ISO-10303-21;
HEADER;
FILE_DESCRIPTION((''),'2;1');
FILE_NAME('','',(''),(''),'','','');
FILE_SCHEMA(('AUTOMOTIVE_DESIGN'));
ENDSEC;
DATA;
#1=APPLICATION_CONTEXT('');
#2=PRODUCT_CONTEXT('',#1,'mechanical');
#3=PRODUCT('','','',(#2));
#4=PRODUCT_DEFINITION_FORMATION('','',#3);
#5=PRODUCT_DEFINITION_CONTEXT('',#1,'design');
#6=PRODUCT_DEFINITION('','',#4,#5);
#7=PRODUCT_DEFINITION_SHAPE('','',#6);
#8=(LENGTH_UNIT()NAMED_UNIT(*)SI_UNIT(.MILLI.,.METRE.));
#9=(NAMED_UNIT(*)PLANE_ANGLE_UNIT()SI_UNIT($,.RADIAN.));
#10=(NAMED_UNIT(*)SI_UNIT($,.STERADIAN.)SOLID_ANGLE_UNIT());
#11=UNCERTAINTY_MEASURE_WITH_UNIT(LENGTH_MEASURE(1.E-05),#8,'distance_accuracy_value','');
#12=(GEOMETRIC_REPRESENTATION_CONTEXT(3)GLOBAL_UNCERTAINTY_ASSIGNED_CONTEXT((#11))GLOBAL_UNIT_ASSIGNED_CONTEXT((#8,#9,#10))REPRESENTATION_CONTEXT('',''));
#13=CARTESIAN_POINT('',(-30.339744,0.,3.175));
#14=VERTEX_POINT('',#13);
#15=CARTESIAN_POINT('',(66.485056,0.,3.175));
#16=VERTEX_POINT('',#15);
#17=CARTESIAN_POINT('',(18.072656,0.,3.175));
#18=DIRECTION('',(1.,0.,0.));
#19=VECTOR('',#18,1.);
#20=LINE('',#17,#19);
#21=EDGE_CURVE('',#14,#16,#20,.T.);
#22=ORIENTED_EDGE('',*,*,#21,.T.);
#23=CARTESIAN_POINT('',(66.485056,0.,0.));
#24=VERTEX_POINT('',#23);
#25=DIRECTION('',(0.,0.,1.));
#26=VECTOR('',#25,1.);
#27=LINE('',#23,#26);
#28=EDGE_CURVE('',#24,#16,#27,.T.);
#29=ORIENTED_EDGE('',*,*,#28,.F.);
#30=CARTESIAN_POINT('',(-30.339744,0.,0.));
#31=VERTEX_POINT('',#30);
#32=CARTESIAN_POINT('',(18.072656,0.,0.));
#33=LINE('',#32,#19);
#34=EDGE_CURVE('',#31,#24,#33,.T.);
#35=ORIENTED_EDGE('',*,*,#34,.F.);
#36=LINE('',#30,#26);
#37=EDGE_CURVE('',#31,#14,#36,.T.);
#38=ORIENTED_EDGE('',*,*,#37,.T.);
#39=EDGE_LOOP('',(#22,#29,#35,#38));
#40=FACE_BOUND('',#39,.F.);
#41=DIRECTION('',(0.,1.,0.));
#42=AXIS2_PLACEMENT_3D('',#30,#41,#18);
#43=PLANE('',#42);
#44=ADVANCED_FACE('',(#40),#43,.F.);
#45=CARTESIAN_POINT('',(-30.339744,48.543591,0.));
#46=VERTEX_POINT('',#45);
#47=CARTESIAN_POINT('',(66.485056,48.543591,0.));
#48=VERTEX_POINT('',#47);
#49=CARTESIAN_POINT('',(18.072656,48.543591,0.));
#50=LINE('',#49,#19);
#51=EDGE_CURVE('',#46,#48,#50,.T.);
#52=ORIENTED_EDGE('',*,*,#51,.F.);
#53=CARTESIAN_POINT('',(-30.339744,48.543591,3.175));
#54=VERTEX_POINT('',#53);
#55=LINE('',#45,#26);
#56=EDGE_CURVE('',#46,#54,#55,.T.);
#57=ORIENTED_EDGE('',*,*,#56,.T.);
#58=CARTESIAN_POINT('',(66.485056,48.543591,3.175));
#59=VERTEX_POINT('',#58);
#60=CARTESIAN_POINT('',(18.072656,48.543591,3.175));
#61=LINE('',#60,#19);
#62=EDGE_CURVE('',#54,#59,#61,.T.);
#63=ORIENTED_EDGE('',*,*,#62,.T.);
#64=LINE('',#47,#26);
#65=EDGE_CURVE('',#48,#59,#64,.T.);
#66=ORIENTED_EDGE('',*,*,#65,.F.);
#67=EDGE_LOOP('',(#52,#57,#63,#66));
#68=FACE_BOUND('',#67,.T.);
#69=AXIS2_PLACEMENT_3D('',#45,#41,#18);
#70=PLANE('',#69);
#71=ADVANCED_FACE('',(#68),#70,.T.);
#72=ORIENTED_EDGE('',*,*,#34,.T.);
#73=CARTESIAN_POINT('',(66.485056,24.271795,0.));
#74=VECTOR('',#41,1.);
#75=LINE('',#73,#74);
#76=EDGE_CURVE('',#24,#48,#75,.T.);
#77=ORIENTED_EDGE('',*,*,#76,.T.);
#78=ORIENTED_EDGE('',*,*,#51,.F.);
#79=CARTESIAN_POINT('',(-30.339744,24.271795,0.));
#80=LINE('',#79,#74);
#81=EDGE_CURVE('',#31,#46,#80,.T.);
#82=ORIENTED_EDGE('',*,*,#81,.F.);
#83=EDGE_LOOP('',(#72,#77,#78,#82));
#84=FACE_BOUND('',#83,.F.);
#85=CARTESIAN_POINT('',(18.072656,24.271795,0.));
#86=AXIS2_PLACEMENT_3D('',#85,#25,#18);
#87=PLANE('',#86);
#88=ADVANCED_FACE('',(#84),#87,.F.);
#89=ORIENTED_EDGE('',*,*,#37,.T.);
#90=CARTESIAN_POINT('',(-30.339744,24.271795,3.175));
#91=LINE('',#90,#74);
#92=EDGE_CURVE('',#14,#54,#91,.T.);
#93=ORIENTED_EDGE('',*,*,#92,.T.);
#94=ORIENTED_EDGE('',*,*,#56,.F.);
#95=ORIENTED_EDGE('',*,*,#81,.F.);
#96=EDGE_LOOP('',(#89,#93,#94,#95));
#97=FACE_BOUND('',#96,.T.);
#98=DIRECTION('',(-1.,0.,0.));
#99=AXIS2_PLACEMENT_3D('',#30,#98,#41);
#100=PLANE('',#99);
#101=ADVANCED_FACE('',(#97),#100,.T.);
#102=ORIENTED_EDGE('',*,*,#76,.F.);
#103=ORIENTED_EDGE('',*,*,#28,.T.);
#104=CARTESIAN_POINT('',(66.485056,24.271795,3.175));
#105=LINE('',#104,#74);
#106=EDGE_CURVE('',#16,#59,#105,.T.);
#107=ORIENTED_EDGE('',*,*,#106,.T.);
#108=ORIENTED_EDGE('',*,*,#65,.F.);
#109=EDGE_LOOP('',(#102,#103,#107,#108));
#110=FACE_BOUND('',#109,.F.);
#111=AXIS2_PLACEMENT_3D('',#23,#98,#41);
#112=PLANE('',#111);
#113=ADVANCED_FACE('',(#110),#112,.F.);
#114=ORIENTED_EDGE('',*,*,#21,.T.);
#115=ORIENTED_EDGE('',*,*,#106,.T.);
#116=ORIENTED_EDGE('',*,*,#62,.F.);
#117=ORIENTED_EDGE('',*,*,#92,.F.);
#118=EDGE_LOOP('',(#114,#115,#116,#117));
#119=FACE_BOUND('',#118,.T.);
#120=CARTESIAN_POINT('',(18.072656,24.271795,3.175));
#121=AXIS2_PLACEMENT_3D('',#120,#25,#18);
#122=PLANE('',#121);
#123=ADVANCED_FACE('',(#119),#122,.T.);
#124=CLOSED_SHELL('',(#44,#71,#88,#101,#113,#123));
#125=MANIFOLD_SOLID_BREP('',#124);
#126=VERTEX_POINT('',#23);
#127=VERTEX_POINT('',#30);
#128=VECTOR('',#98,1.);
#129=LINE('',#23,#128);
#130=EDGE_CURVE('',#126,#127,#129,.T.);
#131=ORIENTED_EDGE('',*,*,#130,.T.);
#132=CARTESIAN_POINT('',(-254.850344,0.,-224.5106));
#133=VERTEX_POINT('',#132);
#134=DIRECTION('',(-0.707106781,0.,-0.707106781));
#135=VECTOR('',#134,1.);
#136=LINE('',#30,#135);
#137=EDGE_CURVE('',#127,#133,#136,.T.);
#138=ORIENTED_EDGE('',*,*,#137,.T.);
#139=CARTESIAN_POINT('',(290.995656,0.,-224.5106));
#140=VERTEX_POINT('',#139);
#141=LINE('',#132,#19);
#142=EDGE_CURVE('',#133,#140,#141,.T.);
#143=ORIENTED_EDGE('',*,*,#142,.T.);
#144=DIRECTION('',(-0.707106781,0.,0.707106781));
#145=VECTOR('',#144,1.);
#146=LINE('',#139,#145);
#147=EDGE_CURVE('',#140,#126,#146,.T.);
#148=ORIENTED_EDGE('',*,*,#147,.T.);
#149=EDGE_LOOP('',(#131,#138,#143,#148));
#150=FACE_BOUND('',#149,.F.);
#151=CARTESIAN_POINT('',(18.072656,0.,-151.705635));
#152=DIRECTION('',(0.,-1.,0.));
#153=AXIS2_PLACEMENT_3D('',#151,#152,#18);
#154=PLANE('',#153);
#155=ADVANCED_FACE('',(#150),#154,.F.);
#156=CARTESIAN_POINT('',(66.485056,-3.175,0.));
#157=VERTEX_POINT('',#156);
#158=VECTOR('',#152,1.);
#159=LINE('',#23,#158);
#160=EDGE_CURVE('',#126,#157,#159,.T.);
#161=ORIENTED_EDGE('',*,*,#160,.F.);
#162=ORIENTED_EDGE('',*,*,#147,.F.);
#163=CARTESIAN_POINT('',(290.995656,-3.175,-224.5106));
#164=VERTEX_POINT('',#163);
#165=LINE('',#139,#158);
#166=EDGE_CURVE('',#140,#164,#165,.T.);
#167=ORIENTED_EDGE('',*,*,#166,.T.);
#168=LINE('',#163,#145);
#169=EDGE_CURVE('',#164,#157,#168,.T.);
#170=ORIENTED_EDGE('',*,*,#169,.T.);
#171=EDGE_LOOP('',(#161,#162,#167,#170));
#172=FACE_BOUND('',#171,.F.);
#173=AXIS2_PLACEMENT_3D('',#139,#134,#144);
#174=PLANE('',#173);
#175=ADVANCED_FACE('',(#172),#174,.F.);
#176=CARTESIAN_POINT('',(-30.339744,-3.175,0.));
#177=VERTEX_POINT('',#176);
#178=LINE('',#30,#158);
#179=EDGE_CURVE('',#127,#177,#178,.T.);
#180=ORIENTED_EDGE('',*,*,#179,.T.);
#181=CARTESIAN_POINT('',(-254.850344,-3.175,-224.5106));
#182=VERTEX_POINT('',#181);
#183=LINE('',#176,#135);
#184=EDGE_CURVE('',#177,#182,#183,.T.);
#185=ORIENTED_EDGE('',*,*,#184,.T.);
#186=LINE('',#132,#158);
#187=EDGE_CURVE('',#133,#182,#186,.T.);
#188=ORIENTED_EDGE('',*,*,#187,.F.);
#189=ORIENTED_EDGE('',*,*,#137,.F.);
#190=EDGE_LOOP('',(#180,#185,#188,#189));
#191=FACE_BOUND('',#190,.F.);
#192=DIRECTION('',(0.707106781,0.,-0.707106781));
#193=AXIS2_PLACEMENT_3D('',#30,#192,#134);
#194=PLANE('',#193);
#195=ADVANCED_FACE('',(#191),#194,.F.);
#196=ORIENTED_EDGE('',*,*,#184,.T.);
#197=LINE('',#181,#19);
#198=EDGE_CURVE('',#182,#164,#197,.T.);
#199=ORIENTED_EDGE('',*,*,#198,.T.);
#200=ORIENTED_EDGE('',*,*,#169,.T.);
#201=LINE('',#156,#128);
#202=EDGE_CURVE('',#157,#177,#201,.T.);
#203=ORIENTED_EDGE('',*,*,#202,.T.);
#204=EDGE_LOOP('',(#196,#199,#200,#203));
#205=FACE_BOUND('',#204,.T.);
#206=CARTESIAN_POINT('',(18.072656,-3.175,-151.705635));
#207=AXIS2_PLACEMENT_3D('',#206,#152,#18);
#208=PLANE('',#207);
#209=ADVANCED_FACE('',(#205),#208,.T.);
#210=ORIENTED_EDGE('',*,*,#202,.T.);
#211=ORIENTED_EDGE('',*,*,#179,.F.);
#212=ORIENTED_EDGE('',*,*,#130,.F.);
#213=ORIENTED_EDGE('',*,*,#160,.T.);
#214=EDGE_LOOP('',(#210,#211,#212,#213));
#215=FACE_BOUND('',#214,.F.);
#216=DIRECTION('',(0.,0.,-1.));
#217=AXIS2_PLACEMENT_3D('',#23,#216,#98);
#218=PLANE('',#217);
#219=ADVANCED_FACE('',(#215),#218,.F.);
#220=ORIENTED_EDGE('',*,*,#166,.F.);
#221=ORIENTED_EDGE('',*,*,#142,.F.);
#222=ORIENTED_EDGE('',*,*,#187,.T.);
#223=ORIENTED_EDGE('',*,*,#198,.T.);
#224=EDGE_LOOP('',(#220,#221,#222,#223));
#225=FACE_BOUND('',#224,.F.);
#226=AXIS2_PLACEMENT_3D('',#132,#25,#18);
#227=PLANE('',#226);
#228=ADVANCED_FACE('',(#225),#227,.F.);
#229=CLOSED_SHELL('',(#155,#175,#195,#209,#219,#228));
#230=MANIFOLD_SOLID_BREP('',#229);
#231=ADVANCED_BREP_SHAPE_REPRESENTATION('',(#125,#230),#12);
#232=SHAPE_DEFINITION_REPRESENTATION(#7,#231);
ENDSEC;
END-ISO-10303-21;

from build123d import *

# Parameters (mm, degrees)
F2_DEPTH = 3.175
F0_W     = 96.8248
F0_H     = 48.543591
F3_DEPTH = 3.175


with BuildPart() as f2:
    # F1 (on Front) → F2 (new body)
    with BuildSketch(Plane.XZ):
        Polygon((66.485056, 0), (-30.339744, 0), (-254.850344, -224.5106), (290.995656, -224.5106), align=None)
    extrude(amount=F2_DEPTH)


with BuildPart() as f3:
    # F0 (on Top) → F3 (new body)
    with BuildSketch(Plane.XY):
        with Locations((18.072656, 24.271795)):
            Rectangle(F0_W, F0_H)
    extrude(amount=F3_DEPTH)


solid = Compound([f2.part, f3.part])
